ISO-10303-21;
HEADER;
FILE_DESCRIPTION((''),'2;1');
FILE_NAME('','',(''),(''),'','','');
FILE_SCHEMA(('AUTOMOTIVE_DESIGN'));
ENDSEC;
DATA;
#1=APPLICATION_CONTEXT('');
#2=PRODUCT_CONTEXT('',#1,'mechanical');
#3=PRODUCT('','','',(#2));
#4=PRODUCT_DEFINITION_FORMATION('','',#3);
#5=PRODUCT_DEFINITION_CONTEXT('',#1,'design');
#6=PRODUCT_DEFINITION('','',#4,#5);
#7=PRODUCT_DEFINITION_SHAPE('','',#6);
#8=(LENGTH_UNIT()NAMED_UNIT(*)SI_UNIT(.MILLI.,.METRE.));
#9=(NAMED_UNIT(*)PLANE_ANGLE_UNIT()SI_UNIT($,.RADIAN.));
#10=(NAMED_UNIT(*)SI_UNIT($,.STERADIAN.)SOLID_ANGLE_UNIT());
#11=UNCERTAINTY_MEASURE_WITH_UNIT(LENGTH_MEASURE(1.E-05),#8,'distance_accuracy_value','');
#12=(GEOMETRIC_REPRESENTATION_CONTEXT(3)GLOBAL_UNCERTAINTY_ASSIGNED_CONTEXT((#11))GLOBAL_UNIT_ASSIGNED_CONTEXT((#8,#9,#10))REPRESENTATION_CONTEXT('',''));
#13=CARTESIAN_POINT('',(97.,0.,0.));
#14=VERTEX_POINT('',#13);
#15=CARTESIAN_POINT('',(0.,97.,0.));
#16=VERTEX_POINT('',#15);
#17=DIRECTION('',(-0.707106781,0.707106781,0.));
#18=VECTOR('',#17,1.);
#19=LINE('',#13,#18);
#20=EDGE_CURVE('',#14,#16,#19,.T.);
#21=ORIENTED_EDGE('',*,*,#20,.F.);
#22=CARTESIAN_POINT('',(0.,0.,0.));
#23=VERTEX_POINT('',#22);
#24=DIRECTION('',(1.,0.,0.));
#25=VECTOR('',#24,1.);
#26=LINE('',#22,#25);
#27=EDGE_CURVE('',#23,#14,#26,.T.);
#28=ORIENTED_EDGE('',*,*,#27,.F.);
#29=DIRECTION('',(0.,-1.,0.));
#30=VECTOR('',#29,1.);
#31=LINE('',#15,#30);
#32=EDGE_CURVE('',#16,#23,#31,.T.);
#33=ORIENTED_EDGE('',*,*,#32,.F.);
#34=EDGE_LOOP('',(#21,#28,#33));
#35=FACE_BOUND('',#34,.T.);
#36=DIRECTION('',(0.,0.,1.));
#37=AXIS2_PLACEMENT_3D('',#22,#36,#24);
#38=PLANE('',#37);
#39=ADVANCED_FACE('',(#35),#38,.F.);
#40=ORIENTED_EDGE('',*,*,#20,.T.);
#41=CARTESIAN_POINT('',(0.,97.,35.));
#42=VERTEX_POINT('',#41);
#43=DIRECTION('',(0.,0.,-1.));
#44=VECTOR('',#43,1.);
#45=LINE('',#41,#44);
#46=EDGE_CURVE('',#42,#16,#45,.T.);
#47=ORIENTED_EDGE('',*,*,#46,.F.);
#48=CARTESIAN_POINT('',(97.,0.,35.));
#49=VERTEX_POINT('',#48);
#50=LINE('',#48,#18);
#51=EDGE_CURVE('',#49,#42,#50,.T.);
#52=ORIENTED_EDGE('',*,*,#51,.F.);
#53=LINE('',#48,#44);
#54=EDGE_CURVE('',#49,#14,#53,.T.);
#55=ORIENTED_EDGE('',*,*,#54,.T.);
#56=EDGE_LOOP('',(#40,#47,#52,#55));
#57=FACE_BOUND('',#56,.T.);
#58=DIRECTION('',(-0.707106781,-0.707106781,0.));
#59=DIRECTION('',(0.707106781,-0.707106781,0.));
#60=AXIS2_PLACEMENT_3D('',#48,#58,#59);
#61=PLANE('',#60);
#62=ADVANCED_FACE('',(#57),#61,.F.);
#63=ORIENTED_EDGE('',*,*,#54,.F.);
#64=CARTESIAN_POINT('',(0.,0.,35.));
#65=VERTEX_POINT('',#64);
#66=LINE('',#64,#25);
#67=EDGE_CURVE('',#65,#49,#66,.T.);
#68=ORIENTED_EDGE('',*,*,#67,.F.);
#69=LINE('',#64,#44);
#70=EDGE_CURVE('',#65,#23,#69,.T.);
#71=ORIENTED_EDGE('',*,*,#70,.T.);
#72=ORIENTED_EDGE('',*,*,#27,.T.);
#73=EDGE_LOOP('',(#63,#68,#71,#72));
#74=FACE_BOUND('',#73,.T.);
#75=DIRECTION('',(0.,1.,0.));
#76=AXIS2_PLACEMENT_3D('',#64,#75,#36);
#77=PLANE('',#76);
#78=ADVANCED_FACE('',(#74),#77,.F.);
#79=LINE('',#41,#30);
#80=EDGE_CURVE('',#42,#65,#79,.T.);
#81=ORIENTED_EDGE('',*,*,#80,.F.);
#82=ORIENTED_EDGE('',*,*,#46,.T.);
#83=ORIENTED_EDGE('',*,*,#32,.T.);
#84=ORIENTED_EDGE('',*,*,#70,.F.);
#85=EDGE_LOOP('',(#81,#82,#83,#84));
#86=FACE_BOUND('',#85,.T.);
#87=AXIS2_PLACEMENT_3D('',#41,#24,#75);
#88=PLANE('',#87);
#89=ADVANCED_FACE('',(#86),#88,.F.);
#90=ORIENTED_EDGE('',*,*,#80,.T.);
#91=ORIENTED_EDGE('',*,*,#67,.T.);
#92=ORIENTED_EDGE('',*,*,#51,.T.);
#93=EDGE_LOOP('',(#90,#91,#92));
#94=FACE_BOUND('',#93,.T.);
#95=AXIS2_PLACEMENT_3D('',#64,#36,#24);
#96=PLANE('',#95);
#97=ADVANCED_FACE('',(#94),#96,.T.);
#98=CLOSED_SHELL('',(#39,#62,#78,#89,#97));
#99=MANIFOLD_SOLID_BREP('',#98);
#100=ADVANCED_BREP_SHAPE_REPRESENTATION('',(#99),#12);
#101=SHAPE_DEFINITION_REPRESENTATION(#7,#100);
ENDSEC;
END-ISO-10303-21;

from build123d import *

# Parameters (mm, degrees)
BOSS_EXTRUDE1_DEPTH = 35


with BuildPart() as part:
    # Sketch3 → Boss-Extrude1 (new body)
    with BuildSketch(Plane.XY):
        Polygon((0, 0), (97, 0), (0, 97), align=None)
    extrude(amount=BOSS_EXTRUDE1_DEPTH)


solid = part.part
